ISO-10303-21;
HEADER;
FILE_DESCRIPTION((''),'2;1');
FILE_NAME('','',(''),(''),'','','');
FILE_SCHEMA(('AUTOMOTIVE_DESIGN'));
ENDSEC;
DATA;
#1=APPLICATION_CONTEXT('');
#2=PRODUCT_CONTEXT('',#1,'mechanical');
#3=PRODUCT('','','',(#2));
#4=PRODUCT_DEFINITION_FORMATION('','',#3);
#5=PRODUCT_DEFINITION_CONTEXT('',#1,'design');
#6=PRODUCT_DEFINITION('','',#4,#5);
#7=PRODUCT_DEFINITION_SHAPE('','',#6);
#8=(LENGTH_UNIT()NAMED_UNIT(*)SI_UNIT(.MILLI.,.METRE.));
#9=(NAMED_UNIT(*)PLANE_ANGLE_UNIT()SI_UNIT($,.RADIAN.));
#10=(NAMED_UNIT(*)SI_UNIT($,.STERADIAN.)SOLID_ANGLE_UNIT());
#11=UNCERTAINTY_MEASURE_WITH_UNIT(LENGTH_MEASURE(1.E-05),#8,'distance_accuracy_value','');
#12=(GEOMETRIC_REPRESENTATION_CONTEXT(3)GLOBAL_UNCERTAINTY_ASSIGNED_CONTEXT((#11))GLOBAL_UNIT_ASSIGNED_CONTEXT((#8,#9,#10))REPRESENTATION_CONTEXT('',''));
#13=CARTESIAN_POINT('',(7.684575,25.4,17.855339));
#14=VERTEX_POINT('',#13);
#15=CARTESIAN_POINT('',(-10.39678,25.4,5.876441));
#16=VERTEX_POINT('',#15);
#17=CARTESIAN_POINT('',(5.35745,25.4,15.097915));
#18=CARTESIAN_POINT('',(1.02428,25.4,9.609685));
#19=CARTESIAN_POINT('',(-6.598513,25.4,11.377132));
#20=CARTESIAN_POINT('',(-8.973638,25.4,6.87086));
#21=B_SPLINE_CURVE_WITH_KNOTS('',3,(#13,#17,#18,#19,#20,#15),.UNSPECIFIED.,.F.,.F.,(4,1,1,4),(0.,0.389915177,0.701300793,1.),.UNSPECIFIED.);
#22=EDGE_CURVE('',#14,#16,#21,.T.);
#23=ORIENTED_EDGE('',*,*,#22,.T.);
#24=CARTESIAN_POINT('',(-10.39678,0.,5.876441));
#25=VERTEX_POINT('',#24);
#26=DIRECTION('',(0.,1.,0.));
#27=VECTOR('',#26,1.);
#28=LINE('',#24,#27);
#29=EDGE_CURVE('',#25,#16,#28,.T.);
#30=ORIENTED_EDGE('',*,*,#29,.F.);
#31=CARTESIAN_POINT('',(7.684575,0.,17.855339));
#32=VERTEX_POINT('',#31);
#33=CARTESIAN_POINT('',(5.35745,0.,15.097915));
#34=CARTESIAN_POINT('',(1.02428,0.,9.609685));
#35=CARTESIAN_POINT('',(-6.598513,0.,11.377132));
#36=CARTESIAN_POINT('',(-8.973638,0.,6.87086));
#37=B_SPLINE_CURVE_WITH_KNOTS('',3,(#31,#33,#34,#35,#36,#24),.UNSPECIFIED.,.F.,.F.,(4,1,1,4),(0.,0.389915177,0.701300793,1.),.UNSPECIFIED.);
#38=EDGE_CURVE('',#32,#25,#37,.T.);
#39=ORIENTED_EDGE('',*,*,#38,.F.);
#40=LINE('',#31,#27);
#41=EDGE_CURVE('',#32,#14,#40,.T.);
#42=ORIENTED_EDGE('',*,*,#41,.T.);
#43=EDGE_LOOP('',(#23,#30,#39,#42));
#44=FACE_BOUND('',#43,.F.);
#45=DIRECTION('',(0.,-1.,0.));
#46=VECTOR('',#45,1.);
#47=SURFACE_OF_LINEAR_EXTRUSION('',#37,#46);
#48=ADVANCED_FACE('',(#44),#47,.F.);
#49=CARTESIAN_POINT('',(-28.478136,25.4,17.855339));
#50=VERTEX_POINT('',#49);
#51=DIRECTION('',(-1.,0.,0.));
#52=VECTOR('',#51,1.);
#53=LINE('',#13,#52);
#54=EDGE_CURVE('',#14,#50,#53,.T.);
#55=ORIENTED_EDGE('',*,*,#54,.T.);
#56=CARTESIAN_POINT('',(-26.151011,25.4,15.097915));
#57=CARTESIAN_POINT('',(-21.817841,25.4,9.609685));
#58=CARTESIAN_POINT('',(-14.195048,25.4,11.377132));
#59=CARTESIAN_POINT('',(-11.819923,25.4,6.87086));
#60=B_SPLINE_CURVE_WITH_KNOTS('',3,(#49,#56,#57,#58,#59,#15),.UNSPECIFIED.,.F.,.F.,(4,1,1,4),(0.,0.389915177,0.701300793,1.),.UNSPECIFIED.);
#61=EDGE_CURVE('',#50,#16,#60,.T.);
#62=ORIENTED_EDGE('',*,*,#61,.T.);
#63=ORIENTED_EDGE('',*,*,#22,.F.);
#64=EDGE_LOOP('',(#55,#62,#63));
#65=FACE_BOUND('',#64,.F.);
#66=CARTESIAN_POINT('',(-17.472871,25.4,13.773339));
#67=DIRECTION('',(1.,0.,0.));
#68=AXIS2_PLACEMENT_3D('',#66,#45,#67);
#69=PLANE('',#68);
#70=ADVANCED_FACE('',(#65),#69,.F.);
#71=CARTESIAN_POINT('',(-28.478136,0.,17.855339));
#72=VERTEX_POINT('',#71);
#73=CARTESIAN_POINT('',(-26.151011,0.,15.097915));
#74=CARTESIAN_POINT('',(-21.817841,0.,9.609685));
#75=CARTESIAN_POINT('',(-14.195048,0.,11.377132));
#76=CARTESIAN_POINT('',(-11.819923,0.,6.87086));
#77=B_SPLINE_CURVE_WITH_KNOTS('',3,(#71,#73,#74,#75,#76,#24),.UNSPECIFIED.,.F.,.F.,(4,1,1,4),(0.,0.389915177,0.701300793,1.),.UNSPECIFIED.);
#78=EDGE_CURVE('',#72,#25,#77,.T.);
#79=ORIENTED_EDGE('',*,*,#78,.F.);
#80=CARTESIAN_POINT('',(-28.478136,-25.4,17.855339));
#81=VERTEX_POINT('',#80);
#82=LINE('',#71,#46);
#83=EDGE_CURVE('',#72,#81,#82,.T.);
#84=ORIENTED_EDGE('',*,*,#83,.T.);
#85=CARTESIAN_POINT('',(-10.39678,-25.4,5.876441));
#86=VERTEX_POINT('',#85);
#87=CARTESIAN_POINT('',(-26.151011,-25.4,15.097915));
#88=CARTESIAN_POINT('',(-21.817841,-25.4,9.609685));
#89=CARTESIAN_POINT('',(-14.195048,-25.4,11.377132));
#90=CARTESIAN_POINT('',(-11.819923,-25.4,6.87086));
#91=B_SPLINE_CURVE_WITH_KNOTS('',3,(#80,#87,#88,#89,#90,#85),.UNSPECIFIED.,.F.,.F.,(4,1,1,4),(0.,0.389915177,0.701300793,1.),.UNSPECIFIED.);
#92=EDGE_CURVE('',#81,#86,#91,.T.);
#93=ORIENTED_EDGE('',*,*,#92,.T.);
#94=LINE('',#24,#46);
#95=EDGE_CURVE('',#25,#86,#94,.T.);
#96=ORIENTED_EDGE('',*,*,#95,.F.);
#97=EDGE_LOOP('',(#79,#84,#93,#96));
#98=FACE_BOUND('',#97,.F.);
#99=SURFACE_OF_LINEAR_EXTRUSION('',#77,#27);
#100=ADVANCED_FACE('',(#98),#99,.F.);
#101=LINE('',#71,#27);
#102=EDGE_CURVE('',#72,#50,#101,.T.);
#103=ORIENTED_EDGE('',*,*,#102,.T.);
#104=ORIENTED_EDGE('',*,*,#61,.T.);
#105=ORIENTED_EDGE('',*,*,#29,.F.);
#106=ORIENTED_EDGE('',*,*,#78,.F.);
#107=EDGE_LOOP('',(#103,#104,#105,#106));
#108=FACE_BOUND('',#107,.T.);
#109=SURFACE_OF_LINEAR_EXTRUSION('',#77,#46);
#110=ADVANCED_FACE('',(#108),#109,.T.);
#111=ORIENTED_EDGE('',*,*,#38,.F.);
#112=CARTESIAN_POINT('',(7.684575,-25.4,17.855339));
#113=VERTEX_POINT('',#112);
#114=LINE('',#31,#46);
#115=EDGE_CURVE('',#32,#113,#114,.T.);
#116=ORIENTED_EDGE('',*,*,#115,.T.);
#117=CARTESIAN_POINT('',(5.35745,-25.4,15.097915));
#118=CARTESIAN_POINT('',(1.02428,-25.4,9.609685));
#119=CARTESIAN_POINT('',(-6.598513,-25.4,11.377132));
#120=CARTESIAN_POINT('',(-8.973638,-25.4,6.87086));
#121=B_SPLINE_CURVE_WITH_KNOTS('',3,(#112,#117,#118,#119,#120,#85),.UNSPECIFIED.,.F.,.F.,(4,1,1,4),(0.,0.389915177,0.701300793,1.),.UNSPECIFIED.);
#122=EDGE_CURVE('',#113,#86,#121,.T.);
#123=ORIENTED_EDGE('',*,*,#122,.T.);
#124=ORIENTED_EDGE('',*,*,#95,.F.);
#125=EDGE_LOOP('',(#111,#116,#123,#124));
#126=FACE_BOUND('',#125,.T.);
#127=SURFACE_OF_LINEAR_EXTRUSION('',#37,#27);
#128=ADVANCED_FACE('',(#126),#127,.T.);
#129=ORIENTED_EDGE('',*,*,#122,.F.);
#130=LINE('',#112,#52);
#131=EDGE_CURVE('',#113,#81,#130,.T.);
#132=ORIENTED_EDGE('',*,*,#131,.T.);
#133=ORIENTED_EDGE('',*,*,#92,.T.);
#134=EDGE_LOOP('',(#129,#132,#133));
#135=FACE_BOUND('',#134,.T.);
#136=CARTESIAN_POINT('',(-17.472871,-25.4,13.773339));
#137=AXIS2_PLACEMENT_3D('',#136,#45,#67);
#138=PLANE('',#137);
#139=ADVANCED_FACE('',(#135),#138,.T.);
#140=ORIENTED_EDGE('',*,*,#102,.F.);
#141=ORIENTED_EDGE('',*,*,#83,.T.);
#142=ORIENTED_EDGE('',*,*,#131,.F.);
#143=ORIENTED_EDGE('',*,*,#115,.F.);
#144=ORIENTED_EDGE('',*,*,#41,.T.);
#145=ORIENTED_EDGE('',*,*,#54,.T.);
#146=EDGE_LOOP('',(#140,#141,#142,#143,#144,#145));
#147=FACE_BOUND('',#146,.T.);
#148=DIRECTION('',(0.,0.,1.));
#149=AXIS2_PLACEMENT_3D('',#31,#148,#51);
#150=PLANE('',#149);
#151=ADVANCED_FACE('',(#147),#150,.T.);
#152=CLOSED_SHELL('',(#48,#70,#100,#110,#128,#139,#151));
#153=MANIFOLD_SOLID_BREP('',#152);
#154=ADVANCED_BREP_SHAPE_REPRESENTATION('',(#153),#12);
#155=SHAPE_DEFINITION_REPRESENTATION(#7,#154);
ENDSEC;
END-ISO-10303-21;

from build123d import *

# Parameters (mm, degrees)
F1_DEPTH      = 25.4
F1_DEPTH_BACK = 25.4


with BuildPart() as f1:
    # F0 (on Front) → F1 (new body, two sides)
    with BuildSketch(Plane.XZ) as f1_sk:
        with BuildLine():
            Line((-10.3967804462, 17.8553387523), (-28.4781362861, 17.8553387523))
            add(Edge.make_bspline(
                [(-28.4781362861, 17.8553387523), (-26.151010961, 15.0979154646), (-21.8178408804, 9.6096851294), (-14.1950475719, 11.3771317015), (-11.8199229442, 6.8708596616), (-10.3967804462, 5.8764405549)],
                knots=[0, 0, 0, 0, 0.3899151773, 0.7013007932, 1, 1, 1, 1], degree=3))
            Line((-10.3967804462, 5.8764405549), (-10.3967804462, 17.8553387523))
        make_face()
        with BuildLine():
            Line((-10.3967804462, 17.8553387523), (-10.3967804462, 5.8764405549))
            add(Edge.make_bspline(
                [(7.6845753938, 17.8553387523), (5.3574500686, 15.0979154646), (1.0242799881, 9.6096851294), (-6.5985133204, 11.3771317015), (-8.9736379481, 6.8708596616), (-10.3967804462, 5.8764405549)],
                knots=[0, 0, 0, 0, 0.3899151773, 0.7013007932, 1, 1, 1, 1], degree=3))
            Line((7.6845753938, 17.8553387523), (-10.3967804462, 17.8553387523))
        make_face()
    extrude(amount=F1_DEPTH)
    extrude(f1_sk.sketch, amount=-F1_DEPTH_BACK)


solid = f1.part
